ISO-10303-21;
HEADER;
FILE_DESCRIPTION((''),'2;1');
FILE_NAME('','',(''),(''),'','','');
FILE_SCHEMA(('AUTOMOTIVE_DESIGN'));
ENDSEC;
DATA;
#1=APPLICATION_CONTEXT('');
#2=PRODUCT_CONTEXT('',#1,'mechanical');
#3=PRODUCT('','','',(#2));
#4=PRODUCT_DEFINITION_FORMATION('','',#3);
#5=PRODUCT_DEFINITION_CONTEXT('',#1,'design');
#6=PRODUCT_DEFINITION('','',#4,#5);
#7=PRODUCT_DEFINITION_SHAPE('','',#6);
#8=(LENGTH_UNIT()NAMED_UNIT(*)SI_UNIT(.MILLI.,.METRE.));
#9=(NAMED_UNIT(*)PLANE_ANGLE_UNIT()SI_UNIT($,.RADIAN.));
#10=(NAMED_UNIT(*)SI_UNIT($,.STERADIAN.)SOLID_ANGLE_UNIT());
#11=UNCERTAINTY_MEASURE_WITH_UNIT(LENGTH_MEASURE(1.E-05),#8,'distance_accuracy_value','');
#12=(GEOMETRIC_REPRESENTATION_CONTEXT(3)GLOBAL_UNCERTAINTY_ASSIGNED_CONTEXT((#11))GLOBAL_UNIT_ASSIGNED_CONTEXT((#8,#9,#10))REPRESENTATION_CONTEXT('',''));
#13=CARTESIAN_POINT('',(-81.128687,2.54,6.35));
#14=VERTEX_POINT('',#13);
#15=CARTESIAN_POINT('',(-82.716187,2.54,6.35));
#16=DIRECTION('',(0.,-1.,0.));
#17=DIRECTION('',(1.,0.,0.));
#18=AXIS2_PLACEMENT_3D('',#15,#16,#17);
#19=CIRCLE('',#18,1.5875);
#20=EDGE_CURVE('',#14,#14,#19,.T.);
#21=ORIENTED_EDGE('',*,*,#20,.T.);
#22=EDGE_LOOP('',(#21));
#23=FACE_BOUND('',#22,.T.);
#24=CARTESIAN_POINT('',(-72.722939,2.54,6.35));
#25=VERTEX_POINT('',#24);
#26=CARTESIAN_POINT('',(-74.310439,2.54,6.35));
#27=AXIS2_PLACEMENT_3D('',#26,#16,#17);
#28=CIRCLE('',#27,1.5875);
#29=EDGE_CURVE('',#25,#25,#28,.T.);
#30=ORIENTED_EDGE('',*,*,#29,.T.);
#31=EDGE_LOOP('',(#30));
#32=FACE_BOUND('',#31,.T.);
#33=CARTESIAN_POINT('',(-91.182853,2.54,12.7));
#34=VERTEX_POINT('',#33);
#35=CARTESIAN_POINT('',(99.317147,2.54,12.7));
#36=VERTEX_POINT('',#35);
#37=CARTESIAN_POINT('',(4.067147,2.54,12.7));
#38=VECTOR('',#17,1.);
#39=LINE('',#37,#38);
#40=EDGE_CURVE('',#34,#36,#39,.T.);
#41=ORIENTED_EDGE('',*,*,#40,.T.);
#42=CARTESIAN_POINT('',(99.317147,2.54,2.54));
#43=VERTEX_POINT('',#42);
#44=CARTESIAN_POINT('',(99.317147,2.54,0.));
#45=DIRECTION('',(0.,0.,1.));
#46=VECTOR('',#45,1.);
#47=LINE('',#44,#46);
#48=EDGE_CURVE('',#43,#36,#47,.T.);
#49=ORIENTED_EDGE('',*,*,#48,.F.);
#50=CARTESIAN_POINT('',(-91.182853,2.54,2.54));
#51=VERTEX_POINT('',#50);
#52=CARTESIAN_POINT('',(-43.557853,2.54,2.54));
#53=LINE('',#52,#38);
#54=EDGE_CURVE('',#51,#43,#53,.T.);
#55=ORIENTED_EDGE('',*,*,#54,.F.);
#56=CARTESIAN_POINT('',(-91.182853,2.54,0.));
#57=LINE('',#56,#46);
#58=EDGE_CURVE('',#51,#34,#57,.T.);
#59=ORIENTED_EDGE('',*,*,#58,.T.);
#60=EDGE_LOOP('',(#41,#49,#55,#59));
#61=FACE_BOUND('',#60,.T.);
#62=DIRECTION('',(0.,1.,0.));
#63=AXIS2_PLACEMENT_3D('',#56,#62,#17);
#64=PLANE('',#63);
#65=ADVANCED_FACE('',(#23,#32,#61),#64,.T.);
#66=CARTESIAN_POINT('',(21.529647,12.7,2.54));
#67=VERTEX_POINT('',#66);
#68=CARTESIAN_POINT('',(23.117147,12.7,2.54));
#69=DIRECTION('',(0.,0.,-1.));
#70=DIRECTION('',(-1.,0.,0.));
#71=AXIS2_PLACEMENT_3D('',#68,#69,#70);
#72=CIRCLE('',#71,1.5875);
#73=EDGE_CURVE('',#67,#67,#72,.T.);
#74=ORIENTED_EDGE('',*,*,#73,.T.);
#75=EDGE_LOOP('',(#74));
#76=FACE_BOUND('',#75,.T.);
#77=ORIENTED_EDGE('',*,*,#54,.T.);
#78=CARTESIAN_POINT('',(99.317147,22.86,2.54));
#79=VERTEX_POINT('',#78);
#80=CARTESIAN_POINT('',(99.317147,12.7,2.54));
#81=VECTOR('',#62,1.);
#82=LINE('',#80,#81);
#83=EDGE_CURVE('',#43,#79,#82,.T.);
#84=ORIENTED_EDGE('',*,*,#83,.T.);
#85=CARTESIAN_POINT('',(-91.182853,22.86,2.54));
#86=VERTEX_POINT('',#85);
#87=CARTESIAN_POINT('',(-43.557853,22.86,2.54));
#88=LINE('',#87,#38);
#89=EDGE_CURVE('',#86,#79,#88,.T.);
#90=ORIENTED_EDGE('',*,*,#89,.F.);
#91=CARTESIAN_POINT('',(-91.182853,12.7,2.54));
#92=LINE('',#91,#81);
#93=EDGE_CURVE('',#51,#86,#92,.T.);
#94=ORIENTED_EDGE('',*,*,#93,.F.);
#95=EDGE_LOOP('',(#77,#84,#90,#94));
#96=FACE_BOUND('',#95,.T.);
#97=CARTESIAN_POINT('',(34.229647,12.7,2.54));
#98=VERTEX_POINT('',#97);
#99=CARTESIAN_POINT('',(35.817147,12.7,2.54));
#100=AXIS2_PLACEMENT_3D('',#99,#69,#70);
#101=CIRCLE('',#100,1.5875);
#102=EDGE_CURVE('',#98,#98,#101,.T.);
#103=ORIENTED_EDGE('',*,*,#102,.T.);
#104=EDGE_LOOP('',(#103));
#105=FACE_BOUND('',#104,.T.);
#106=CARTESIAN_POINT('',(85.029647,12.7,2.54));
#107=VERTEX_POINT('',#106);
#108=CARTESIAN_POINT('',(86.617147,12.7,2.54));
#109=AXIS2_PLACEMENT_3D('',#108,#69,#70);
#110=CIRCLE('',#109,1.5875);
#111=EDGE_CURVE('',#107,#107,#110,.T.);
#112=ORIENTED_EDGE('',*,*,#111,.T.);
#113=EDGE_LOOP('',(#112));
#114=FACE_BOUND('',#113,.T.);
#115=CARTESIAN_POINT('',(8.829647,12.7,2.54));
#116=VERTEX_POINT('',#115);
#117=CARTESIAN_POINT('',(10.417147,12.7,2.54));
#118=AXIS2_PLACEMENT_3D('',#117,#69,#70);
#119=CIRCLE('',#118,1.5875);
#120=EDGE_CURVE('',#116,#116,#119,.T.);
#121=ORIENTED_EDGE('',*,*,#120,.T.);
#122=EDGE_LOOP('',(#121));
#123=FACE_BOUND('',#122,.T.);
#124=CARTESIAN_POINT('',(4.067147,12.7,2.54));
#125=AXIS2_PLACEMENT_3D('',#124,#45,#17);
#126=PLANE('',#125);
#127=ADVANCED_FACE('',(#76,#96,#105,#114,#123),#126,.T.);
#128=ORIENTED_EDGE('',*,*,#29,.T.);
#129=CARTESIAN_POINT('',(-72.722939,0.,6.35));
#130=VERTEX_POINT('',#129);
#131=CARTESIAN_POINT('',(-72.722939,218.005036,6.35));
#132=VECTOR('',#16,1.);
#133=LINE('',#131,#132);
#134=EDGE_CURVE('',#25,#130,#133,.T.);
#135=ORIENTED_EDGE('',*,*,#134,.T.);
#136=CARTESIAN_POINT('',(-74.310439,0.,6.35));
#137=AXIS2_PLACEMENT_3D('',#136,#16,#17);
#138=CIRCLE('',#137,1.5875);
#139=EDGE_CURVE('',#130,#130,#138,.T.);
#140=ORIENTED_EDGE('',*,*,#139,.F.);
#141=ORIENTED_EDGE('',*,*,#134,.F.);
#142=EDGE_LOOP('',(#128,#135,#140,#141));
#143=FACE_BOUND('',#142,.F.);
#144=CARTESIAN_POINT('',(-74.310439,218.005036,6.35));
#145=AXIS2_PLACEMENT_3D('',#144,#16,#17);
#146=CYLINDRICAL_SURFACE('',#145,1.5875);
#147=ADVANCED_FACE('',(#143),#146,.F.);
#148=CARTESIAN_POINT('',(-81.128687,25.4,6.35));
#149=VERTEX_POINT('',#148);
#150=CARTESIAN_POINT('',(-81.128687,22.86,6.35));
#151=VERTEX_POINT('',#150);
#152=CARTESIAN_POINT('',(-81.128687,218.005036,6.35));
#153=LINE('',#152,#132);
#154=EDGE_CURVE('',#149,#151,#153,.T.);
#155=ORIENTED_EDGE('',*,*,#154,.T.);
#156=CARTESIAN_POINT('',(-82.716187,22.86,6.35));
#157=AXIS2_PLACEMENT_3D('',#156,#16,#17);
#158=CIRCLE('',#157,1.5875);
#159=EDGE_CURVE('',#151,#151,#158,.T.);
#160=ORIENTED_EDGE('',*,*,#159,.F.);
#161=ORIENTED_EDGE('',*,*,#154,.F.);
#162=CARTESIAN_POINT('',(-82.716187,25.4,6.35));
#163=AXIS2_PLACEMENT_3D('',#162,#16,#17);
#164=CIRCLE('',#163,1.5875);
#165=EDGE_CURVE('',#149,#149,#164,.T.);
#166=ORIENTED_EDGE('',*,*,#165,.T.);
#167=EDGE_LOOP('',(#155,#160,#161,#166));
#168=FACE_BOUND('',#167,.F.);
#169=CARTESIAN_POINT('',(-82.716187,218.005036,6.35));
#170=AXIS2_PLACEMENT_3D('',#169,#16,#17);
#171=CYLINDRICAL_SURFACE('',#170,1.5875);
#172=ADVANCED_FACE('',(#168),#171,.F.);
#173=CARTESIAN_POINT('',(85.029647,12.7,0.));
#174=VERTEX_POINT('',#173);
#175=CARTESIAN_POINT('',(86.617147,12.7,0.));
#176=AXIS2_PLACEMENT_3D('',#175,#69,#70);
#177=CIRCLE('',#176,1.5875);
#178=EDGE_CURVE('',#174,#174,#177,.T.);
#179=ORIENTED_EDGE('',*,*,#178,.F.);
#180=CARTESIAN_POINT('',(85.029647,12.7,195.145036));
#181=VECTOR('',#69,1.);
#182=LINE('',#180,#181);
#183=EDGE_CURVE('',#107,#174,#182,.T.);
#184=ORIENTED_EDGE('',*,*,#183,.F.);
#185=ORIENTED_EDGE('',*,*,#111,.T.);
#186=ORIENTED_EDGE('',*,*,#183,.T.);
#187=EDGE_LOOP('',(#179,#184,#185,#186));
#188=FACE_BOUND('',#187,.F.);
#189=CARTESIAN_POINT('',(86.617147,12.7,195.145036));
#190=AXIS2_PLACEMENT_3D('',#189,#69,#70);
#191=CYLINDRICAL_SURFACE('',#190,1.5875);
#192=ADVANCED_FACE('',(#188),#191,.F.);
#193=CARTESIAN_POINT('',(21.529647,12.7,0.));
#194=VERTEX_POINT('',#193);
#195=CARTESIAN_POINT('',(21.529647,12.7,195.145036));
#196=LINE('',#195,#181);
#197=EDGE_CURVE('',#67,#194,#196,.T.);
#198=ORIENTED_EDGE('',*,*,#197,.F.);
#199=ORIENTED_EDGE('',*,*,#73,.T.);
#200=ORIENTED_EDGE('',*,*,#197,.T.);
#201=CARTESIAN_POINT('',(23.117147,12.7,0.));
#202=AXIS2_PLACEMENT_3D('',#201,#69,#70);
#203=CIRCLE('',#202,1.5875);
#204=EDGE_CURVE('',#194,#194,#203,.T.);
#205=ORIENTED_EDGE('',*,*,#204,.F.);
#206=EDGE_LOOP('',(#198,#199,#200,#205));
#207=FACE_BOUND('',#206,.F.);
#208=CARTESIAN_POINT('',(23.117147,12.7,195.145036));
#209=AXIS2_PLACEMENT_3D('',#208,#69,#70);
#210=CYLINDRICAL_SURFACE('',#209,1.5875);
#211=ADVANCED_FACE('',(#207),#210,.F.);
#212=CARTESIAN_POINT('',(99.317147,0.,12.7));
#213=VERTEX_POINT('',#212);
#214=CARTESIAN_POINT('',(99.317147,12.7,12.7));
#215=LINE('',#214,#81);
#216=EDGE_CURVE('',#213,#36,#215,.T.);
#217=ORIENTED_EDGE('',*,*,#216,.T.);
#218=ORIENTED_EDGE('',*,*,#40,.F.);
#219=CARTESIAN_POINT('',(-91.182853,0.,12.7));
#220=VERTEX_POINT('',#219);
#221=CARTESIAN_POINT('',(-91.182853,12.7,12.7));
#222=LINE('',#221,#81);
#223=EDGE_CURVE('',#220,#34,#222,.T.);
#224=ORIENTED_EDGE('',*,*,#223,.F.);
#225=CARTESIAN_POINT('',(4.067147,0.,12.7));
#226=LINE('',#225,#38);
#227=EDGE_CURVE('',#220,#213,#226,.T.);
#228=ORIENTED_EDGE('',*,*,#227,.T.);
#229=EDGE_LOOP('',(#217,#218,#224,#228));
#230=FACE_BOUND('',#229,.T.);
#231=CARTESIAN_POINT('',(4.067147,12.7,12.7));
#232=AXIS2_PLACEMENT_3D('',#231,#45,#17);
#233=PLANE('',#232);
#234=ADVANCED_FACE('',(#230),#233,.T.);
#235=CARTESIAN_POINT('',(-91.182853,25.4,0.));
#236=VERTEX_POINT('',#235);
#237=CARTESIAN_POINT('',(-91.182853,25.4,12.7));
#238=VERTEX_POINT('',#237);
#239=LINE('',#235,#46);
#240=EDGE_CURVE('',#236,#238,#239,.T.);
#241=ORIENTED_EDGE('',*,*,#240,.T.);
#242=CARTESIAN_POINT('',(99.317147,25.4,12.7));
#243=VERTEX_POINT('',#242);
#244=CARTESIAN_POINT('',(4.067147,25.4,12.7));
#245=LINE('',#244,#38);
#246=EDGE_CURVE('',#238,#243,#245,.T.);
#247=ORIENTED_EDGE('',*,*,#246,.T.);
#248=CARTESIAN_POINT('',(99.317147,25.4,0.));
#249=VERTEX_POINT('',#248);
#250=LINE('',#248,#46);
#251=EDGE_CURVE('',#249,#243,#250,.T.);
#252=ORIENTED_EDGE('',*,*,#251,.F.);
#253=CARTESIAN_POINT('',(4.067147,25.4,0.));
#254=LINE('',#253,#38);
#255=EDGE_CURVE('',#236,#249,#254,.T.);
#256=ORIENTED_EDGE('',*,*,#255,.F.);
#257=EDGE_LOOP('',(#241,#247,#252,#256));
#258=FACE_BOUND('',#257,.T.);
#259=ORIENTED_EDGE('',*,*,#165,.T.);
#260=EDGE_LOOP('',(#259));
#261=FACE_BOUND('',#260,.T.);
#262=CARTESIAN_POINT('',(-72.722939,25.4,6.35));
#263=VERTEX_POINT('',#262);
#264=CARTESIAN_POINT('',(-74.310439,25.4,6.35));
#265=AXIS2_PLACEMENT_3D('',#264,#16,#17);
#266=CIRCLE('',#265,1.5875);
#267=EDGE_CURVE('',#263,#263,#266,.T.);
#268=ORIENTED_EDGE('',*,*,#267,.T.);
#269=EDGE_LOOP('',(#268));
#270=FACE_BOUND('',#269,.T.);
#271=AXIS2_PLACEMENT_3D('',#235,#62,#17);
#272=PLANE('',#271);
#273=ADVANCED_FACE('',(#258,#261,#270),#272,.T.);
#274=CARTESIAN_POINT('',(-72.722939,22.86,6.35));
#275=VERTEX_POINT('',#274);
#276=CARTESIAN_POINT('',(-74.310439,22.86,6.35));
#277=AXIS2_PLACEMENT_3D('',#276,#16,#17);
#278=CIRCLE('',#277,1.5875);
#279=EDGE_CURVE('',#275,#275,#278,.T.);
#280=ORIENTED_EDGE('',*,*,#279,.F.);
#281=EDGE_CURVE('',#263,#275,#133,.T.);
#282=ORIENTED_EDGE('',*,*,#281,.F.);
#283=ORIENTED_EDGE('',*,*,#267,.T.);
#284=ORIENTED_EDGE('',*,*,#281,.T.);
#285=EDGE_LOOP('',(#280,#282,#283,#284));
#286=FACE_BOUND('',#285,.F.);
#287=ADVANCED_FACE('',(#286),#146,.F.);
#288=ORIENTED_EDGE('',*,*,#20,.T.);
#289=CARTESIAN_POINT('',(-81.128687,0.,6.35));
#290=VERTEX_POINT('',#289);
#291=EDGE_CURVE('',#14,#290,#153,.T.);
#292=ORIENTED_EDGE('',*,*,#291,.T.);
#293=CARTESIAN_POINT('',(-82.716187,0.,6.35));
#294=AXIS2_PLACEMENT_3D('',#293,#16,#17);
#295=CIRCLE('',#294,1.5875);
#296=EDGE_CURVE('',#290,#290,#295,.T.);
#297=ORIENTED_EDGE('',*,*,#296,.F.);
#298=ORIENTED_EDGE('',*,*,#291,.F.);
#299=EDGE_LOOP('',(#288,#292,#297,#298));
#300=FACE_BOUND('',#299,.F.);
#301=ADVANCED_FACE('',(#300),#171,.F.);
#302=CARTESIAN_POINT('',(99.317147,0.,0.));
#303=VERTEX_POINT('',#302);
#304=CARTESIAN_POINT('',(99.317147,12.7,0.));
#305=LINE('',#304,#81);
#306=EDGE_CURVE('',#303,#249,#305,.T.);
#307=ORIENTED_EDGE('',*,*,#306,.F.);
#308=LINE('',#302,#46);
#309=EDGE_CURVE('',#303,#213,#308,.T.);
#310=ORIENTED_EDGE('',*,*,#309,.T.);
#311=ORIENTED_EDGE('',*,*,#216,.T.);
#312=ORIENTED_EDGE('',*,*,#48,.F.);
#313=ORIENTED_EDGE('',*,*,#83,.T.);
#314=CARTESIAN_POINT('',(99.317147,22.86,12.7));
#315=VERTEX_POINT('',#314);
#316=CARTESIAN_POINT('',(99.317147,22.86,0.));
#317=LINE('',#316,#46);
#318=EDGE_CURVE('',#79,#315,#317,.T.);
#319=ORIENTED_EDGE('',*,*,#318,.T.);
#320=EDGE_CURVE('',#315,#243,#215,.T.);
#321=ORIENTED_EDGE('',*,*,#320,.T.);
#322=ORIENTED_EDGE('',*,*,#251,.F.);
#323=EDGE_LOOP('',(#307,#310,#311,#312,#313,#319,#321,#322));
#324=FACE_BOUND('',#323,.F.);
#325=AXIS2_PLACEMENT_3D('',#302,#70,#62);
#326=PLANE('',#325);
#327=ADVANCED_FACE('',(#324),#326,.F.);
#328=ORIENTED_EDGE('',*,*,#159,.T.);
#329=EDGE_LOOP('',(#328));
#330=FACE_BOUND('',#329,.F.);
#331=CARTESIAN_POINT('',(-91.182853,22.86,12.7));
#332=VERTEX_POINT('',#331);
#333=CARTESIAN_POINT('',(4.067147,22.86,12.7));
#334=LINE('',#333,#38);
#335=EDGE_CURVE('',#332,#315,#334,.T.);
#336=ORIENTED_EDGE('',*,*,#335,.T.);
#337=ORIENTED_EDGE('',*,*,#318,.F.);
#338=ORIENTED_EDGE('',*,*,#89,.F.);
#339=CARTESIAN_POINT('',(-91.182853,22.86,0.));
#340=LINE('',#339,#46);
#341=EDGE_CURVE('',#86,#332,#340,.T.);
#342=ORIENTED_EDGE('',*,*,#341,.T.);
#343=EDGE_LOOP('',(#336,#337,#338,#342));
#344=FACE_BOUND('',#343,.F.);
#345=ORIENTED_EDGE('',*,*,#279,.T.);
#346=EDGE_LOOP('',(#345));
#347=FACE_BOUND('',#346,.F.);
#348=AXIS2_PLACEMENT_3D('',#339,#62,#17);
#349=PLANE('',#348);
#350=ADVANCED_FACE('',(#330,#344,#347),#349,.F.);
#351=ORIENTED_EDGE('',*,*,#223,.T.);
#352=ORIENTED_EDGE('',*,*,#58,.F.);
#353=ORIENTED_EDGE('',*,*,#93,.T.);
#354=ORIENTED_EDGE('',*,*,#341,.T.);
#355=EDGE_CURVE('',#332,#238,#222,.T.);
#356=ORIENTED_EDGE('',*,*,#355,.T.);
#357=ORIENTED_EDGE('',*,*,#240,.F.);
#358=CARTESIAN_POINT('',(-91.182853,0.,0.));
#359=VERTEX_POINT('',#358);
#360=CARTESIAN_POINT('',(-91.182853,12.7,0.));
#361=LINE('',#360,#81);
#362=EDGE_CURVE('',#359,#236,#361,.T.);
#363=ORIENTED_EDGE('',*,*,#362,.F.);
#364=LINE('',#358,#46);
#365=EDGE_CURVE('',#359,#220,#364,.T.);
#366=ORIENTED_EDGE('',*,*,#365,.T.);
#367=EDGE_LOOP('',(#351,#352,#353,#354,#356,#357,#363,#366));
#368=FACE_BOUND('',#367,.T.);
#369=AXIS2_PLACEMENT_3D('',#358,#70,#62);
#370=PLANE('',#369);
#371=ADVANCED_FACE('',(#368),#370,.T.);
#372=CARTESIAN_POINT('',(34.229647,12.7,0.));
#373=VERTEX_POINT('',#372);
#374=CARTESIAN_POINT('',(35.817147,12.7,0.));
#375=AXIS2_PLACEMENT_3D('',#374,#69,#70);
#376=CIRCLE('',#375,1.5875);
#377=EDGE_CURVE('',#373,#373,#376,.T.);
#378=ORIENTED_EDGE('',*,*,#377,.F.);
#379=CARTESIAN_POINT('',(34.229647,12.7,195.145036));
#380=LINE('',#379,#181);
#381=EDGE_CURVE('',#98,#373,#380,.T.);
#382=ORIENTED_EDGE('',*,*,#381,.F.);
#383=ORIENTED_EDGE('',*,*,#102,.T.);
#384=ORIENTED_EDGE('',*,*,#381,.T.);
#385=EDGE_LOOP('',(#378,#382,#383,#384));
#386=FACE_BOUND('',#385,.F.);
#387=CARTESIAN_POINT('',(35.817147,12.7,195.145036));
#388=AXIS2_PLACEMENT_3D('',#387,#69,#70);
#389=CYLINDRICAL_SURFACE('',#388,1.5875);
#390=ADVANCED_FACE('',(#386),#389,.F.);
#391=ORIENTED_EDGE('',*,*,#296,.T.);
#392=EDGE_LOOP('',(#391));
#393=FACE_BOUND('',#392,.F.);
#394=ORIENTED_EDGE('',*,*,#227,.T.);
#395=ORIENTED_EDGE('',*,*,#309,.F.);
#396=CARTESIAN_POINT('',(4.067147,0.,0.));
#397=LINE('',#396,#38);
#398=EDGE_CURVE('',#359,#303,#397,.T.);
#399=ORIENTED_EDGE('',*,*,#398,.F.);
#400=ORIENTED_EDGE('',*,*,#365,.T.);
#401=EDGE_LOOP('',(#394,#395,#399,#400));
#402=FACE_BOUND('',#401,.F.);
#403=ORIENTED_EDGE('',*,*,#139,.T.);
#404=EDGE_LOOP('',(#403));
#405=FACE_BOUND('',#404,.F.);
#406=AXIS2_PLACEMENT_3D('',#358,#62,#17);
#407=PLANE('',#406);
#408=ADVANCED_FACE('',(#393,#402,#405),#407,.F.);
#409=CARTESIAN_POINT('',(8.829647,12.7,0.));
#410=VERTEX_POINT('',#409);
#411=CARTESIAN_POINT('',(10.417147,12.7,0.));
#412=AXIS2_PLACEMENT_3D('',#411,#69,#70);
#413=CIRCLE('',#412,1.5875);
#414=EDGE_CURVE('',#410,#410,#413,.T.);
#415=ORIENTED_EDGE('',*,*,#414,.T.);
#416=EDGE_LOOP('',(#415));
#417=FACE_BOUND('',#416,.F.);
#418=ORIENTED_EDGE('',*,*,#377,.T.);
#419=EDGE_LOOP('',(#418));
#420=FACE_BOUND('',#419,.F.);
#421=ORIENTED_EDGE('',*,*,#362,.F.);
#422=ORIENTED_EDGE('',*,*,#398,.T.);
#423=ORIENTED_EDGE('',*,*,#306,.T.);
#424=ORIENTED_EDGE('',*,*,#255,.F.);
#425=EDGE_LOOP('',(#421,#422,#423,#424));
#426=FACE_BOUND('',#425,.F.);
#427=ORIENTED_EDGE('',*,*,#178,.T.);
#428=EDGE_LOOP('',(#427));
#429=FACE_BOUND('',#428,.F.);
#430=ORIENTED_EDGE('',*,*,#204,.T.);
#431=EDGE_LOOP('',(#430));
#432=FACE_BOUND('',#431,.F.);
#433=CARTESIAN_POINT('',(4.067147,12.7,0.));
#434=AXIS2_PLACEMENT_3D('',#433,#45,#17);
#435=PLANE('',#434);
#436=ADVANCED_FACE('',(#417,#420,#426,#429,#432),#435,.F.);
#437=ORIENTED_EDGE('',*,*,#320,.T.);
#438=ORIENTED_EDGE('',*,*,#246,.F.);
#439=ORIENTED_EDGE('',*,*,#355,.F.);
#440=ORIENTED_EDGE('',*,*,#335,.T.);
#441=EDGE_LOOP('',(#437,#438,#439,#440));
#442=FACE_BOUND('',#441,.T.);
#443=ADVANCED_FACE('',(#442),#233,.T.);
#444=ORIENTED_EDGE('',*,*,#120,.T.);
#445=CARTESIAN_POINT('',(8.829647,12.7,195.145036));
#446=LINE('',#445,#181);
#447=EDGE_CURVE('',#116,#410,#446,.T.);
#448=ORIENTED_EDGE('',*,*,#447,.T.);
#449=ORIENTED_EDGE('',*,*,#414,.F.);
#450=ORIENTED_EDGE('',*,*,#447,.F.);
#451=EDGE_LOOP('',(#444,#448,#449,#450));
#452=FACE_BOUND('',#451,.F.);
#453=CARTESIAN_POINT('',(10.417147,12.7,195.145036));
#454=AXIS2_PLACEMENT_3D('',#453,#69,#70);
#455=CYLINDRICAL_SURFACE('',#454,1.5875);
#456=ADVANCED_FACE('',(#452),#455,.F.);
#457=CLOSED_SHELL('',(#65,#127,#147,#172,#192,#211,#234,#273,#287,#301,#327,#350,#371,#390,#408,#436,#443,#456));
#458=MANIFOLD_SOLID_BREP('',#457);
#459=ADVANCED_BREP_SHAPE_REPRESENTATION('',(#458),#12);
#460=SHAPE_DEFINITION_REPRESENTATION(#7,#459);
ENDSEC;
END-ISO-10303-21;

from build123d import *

# Parameters (mm, degrees)
F0_W     = 190.5
F0_H     = 25.4
F1_DEPTH = 12.7
F2_T     = -2.54
F4_D     = 3.175
F6_D     = 3.175


with BuildPart() as f1:
    # F0 (on Top) → F1 (new body)
    with BuildSketch(Plane.XY):
        with Locations((4.067147, 12.7)):
            Rectangle(F0_W, F0_H)
    extrude(amount=F1_DEPTH)

    # F2
    f2_openings = [f1.faces().sort_by_distance(p)[0] for p in [
        (4.067147, 12.7, 12.7),
        (99.317147, 12.7, 6.35),
        (-91.182853, 12.7, 6.35),
    ]]
    offset(amount=F2_T, openings=f2_openings)

    # F4 (through all)
    with Locations(Plane.XY.offset(2.54)):
        with Locations((10.417147, 12.7), (23.117147, 12.7), (35.817147, 12.7), (86.617147, 12.7)):
            Hole(F4_D / 2)

    # F6 (through all)
    with Locations(Plane(origin=(0, 25.4, 0), x_dir=(-1, 0, 0), z_dir=(0, 1, 0))):
        with Locations((74.310439, 6.35), (82.716187, 6.35)):
            Hole(F6_D / 2)


solid = f1.part
